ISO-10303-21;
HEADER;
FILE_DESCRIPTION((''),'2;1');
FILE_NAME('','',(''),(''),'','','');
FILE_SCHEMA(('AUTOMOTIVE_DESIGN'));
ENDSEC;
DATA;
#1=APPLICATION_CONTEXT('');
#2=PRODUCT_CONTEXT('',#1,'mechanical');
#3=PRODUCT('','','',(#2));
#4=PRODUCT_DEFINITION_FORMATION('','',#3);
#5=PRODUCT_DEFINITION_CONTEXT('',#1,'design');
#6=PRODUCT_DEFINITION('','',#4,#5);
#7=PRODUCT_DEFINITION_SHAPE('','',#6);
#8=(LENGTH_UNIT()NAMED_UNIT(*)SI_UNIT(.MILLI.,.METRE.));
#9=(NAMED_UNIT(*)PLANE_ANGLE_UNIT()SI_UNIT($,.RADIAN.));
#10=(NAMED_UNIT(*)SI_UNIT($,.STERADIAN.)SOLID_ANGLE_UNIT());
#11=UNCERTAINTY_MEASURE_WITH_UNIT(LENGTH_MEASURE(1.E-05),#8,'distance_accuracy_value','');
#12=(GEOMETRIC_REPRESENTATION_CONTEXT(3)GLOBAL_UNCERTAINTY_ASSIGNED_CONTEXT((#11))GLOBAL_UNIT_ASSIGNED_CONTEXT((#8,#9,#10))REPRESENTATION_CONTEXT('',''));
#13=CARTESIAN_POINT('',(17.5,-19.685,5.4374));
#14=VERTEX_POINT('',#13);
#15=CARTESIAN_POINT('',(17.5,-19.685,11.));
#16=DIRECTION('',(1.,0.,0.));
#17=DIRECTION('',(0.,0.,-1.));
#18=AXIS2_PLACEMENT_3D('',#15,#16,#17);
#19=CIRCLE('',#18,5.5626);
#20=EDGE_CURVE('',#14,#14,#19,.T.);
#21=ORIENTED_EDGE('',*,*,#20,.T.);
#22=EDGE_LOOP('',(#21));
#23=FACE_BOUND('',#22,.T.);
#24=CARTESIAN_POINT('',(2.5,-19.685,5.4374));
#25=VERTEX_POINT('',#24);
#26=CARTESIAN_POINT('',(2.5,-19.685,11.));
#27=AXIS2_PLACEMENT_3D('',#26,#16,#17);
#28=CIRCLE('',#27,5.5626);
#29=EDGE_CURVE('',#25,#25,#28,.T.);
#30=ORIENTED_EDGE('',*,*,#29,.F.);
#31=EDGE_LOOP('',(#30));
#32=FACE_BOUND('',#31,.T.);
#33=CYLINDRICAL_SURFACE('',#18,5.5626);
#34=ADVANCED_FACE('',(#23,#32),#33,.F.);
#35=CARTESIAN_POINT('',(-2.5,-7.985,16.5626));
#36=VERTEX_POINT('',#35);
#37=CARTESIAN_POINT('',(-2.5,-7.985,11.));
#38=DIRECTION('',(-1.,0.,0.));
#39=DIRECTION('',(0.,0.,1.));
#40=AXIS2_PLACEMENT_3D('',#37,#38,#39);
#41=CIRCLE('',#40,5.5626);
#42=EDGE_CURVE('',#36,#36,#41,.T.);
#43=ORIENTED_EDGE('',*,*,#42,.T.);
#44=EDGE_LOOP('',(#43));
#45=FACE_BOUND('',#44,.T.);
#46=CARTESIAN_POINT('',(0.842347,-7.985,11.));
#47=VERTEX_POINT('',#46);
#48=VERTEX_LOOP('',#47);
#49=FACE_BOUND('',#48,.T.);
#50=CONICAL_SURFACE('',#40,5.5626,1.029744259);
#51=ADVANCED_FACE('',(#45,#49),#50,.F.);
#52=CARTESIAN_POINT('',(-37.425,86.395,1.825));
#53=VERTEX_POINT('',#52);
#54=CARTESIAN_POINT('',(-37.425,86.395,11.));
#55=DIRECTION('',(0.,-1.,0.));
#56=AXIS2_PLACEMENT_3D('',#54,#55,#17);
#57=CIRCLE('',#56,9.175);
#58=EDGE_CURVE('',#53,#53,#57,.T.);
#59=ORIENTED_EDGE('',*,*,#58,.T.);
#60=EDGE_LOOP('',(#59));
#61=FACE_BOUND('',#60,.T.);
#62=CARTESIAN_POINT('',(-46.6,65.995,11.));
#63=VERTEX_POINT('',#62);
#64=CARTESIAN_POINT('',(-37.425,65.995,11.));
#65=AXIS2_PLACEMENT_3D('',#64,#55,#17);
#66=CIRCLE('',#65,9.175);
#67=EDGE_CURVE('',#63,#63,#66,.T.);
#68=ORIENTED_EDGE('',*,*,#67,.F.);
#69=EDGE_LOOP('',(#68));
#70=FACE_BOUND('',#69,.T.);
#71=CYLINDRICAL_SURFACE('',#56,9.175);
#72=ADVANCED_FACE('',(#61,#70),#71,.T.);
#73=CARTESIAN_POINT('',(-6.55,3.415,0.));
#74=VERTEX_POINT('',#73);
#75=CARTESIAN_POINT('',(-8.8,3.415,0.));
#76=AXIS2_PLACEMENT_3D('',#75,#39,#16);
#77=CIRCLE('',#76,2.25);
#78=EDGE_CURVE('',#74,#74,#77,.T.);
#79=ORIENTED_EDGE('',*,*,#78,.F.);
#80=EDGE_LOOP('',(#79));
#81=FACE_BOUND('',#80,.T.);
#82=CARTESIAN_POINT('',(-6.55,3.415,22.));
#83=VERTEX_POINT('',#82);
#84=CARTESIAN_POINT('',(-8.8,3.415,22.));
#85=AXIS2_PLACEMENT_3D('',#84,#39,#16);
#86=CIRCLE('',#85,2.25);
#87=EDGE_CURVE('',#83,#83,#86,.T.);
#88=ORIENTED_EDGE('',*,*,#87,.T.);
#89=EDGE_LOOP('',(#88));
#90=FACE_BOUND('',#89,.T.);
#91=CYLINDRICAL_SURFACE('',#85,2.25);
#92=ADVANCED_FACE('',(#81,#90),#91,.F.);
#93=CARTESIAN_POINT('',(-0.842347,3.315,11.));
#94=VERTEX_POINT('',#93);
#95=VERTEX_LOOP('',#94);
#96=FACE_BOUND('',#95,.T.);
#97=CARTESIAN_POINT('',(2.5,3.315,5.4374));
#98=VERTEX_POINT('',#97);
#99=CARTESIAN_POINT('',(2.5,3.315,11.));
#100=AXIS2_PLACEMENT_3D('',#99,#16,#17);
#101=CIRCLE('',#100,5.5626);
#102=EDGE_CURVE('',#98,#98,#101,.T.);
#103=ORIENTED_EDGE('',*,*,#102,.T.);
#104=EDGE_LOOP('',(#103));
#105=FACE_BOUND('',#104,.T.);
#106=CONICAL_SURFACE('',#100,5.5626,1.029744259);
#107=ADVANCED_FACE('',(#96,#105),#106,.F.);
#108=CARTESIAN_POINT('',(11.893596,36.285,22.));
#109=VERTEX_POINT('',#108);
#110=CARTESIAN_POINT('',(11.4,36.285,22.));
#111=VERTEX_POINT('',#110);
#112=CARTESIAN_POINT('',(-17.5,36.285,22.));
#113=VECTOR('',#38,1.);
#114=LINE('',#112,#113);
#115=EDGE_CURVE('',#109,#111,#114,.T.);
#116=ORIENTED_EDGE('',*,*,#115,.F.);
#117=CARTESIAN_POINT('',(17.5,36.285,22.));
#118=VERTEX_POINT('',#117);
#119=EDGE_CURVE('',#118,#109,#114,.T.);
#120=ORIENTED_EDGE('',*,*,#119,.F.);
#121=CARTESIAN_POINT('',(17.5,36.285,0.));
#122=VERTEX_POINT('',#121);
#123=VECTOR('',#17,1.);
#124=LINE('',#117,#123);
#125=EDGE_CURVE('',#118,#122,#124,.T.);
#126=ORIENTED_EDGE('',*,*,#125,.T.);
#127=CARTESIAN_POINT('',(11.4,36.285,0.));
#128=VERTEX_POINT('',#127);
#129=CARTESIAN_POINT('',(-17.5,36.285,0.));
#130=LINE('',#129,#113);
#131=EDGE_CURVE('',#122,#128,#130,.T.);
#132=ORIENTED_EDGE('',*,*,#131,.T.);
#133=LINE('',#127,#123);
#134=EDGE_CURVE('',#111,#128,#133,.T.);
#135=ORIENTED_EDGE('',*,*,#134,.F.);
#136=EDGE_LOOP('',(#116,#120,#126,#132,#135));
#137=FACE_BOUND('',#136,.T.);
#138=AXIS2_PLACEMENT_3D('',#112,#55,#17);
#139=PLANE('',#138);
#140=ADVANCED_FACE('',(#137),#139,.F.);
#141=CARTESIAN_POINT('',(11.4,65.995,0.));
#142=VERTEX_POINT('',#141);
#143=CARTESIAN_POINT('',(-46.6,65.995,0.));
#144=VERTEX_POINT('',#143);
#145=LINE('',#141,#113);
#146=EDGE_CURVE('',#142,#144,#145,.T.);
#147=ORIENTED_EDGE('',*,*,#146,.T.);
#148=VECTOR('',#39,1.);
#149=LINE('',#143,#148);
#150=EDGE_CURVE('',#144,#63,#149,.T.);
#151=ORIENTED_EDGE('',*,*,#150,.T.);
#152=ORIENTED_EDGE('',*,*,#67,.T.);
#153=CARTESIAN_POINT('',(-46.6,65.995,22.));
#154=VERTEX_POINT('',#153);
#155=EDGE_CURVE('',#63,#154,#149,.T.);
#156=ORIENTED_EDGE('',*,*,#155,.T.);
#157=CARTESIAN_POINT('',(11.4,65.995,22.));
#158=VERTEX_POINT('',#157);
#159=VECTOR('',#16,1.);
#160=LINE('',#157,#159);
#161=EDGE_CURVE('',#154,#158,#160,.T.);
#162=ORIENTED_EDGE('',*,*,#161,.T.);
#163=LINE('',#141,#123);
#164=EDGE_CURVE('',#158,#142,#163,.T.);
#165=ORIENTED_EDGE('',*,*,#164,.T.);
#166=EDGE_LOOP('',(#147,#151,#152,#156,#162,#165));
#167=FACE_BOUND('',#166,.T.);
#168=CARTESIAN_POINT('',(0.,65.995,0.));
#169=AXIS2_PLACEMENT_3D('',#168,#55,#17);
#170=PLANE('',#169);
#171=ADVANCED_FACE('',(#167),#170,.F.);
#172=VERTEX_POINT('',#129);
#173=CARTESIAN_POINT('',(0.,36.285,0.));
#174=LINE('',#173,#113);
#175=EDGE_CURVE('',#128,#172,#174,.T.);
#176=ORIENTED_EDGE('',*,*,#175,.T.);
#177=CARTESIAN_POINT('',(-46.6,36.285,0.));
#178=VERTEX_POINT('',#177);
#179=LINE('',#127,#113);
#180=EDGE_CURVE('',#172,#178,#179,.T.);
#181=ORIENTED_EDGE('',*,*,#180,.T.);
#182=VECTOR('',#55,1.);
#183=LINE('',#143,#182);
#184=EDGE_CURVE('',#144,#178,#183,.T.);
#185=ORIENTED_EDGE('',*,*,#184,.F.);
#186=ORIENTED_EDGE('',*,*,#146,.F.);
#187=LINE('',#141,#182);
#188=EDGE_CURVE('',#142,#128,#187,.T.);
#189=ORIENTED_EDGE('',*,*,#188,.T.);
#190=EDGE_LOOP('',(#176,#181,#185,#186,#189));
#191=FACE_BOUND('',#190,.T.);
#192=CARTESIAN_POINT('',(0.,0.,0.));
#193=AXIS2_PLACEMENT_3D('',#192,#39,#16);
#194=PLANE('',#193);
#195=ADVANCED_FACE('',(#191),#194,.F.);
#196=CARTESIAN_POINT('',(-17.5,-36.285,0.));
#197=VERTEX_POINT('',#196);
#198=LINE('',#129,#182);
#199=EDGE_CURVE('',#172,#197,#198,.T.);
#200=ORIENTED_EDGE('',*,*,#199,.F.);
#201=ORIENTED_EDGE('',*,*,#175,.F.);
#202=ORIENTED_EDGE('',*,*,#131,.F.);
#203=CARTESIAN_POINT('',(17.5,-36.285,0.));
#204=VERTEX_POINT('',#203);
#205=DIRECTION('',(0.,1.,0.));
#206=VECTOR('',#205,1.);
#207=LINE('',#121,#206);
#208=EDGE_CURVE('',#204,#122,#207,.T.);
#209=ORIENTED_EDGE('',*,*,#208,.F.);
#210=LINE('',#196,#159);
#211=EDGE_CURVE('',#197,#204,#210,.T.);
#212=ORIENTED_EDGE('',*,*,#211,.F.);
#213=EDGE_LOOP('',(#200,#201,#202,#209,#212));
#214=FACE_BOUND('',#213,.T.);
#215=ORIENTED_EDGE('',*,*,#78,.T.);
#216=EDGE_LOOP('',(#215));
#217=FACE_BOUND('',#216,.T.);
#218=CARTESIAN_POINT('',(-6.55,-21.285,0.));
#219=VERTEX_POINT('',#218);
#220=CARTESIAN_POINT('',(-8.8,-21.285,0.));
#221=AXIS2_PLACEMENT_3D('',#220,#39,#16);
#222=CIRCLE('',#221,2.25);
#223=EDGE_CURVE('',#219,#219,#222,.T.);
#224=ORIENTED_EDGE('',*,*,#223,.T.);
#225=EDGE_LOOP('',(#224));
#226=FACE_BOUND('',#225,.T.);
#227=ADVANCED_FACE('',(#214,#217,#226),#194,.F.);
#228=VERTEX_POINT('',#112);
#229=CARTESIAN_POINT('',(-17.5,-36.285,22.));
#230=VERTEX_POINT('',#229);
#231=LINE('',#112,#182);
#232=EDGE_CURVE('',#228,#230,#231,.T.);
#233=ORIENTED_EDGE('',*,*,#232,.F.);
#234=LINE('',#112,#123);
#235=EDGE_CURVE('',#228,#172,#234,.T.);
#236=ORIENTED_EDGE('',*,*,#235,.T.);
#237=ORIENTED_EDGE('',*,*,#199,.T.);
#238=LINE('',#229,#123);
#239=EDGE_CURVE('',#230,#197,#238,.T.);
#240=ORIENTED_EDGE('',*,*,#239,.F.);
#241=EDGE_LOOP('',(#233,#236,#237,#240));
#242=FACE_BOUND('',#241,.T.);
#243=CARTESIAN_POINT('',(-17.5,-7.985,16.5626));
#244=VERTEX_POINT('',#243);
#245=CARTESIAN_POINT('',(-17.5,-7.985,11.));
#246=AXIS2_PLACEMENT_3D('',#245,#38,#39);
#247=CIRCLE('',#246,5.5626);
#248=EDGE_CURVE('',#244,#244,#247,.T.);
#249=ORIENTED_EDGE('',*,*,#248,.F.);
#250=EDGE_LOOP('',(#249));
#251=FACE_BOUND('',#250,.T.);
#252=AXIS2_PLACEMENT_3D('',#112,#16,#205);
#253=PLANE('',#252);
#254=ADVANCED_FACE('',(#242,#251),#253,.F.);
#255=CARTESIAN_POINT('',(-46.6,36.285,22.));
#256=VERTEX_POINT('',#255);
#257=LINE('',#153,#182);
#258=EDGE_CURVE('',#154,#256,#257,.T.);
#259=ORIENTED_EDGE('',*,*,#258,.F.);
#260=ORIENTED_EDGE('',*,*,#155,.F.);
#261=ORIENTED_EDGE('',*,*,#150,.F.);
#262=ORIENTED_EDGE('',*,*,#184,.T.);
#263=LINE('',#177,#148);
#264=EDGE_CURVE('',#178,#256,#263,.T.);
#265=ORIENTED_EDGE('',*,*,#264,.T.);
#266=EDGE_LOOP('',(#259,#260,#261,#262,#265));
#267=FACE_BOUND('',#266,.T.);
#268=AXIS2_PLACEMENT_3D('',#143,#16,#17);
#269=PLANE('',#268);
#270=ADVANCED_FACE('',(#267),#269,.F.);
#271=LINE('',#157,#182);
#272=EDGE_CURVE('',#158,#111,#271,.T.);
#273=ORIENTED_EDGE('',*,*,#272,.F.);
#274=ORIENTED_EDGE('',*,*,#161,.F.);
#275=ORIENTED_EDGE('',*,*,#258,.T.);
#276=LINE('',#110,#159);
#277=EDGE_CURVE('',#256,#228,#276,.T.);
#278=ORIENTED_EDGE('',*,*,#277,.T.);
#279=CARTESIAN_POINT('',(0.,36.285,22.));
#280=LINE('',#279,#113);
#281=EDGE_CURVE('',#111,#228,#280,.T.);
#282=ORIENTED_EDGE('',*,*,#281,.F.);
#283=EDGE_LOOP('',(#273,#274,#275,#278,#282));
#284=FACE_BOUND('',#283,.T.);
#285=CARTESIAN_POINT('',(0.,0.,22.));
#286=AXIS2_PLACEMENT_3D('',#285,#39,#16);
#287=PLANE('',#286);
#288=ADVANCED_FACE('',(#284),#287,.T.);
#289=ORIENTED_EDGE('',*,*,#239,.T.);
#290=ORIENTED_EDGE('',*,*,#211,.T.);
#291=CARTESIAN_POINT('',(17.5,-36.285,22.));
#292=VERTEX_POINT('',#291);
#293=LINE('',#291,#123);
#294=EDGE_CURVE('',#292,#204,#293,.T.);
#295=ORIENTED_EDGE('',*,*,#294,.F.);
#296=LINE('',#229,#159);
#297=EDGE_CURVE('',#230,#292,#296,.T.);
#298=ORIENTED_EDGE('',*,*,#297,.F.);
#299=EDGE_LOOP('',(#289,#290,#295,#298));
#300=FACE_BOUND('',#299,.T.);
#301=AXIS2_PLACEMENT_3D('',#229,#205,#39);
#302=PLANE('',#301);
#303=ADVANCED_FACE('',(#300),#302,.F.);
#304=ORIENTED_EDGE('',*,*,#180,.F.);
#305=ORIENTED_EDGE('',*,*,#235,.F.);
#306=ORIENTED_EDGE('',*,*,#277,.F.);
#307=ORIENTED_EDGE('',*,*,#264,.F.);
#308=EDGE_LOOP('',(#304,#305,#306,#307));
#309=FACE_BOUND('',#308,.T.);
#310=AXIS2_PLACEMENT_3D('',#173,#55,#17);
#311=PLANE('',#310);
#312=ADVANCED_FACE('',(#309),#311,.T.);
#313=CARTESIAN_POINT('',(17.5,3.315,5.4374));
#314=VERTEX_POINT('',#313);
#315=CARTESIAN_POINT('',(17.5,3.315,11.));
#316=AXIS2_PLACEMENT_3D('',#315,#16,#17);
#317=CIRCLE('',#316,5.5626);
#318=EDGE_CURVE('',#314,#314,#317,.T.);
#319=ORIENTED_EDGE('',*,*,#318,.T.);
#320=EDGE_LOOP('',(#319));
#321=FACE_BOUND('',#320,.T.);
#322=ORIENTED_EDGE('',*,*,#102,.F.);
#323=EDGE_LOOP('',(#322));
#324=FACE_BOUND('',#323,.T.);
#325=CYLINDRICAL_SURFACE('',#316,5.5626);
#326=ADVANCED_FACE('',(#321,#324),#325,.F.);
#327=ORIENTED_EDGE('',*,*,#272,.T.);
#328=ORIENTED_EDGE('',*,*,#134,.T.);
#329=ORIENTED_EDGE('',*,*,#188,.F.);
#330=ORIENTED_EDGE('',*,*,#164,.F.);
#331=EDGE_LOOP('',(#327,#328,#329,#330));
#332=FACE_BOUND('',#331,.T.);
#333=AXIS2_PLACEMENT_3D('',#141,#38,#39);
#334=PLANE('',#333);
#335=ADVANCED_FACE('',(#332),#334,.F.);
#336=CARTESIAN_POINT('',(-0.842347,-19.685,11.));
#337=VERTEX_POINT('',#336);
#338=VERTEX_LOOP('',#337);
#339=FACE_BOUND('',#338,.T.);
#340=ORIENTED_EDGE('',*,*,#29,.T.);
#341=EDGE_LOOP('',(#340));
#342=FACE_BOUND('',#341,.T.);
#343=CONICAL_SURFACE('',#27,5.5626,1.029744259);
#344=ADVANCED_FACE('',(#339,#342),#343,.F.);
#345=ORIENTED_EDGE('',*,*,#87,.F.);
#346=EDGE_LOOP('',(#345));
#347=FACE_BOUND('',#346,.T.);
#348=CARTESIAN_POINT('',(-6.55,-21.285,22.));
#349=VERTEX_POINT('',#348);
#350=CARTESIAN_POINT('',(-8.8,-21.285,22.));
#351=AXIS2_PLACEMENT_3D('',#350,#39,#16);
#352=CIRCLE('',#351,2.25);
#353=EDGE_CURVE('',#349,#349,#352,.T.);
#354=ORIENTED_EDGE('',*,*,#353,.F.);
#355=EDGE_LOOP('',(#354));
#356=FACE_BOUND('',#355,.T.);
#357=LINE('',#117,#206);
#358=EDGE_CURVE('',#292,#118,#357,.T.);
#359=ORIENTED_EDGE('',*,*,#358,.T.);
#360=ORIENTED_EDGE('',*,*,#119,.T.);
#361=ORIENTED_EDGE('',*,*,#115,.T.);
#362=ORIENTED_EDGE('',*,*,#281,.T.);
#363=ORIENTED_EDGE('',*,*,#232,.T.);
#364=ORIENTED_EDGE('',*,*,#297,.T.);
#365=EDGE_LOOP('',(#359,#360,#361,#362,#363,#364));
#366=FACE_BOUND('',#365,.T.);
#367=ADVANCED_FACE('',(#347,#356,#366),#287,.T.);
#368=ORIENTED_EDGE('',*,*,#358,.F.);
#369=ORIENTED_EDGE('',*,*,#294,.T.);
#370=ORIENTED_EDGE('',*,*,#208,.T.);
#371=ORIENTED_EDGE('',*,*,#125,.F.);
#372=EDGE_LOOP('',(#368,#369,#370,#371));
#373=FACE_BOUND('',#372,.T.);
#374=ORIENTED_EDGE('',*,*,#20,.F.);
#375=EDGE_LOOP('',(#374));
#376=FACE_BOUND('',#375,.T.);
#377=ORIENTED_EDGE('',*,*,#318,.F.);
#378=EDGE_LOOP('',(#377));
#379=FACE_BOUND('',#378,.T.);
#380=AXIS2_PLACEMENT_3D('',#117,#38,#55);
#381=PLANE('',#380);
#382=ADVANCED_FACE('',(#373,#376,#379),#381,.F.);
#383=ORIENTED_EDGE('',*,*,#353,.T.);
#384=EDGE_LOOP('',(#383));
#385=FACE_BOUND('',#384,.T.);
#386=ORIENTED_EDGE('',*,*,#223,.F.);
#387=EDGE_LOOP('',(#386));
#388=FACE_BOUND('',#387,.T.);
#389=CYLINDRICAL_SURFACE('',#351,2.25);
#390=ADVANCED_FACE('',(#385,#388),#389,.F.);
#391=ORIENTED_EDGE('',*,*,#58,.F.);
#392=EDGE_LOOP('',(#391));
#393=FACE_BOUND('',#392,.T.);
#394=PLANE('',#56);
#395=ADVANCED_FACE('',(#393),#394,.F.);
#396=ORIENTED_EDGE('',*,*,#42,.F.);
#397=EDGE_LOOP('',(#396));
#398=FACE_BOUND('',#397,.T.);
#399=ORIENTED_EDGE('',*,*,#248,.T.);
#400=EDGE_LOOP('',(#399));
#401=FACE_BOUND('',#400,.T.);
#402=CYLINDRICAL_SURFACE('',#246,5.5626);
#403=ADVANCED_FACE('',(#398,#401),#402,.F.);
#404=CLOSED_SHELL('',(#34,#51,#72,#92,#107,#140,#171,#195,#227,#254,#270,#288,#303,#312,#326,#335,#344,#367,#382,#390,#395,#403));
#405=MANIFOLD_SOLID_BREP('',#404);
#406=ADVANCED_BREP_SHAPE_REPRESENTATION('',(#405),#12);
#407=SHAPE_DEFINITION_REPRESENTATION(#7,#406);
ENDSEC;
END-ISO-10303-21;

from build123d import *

# Parameters (mm, degrees)
SKETCH1_W                         = 35
SKETCH1_H                         = 72.57
BOSS_EXTRUDE1_DEPTH               = 22
SKETCH2_W                         = 58
SKETCH2_H                         = 22
BOSS_EXTRUDE2_DEPTH               = 29.71
SKETCH3_R                         = 9.175
BOSS_EXTRUDE3_DEPTH               = 50.11
M4_CLEARANCE_HOLE1_D              = 4.5
PIPE_TAP_DRILL_FOR_1_4_TAP1_D     = 11.1252
PIPE_TAP_DRILL_FOR_1_4_TAP1_DEPTH = 15
PIPE_TAP_DRILL_FOR_1_4_TAP1_TIP   = 3.342347279
PIPE_TAP_DRILL_FOR_1_4_TAP2_D     = 11.1252
PIPE_TAP_DRILL_FOR_1_4_TAP2_DEPTH = 15
PIPE_TAP_DRILL_FOR_1_4_TAP2_TIP   = 3.342347279


with BuildPart() as part:
    # Sketch1 → Boss-Extrude1 (new body)
    with BuildSketch(Plane.XY):
        Rectangle(SKETCH1_W, SKETCH1_H)
    extrude(amount=BOSS_EXTRUDE1_DEPTH)

    # Sketch2 → Boss-Extrude2 (add)
    with BuildSketch(Plane(origin=(0, 36.285, 0), x_dir=(1, 0, 0), z_dir=(0, 1, 0))):
        with Locations((-17.6, -11)):
            Rectangle(SKETCH2_W, SKETCH2_H)
    extrude(amount=BOSS_EXTRUDE2_DEPTH)

    # Sketch3 → Boss-Extrude3 (add)
    with BuildSketch(Plane.XZ.offset(-36.285)):
        with Locations((-37.425, 11)):
            Circle(SKETCH3_R)
    extrude(amount=-BOSS_EXTRUDE3_DEPTH)

    # M4 Clearance Hole1 (through all)
    with Locations(Plane.XY.offset(22)):
        with Locations((-8.8, 3.415), (-8.8, -21.285)):
            Hole(M4_CLEARANCE_HOLE1_D / 2)

    # Pipe Tap Drill for 1/4 Tap1
    with Locations(Plane.ZY.offset(17.5)):
        with Locations((11, -7.985)):
            Hole(PIPE_TAP_DRILL_FOR_1_4_TAP1_D / 2, depth=PIPE_TAP_DRILL_FOR_1_4_TAP1_DEPTH)
            with Locations((0, 0, -(PIPE_TAP_DRILL_FOR_1_4_TAP1_DEPTH + PIPE_TAP_DRILL_FOR_1_4_TAP1_TIP / 2))):  # 118° drill point
                Cone(0, PIPE_TAP_DRILL_FOR_1_4_TAP1_D / 2, PIPE_TAP_DRILL_FOR_1_4_TAP1_TIP, mode=Mode.SUBTRACT)

    # Pipe Tap Drill for 1/4 Tap2
    with Locations(Plane(origin=(17.5, 0, 0), x_dir=(0, 0, -1), z_dir=(1, 0, 0))):
        with Locations((-11, 3.315), (-11, -19.685)):
            Hole(PIPE_TAP_DRILL_FOR_1_4_TAP2_D / 2, depth=PIPE_TAP_DRILL_FOR_1_4_TAP2_DEPTH)
            with Locations((0, 0, -(PIPE_TAP_DRILL_FOR_1_4_TAP2_DEPTH + PIPE_TAP_DRILL_FOR_1_4_TAP2_TIP / 2))):  # 118° drill point
                Cone(0, PIPE_TAP_DRILL_FOR_1_4_TAP2_D / 2, PIPE_TAP_DRILL_FOR_1_4_TAP2_TIP, mode=Mode.SUBTRACT)


solid = part.part
